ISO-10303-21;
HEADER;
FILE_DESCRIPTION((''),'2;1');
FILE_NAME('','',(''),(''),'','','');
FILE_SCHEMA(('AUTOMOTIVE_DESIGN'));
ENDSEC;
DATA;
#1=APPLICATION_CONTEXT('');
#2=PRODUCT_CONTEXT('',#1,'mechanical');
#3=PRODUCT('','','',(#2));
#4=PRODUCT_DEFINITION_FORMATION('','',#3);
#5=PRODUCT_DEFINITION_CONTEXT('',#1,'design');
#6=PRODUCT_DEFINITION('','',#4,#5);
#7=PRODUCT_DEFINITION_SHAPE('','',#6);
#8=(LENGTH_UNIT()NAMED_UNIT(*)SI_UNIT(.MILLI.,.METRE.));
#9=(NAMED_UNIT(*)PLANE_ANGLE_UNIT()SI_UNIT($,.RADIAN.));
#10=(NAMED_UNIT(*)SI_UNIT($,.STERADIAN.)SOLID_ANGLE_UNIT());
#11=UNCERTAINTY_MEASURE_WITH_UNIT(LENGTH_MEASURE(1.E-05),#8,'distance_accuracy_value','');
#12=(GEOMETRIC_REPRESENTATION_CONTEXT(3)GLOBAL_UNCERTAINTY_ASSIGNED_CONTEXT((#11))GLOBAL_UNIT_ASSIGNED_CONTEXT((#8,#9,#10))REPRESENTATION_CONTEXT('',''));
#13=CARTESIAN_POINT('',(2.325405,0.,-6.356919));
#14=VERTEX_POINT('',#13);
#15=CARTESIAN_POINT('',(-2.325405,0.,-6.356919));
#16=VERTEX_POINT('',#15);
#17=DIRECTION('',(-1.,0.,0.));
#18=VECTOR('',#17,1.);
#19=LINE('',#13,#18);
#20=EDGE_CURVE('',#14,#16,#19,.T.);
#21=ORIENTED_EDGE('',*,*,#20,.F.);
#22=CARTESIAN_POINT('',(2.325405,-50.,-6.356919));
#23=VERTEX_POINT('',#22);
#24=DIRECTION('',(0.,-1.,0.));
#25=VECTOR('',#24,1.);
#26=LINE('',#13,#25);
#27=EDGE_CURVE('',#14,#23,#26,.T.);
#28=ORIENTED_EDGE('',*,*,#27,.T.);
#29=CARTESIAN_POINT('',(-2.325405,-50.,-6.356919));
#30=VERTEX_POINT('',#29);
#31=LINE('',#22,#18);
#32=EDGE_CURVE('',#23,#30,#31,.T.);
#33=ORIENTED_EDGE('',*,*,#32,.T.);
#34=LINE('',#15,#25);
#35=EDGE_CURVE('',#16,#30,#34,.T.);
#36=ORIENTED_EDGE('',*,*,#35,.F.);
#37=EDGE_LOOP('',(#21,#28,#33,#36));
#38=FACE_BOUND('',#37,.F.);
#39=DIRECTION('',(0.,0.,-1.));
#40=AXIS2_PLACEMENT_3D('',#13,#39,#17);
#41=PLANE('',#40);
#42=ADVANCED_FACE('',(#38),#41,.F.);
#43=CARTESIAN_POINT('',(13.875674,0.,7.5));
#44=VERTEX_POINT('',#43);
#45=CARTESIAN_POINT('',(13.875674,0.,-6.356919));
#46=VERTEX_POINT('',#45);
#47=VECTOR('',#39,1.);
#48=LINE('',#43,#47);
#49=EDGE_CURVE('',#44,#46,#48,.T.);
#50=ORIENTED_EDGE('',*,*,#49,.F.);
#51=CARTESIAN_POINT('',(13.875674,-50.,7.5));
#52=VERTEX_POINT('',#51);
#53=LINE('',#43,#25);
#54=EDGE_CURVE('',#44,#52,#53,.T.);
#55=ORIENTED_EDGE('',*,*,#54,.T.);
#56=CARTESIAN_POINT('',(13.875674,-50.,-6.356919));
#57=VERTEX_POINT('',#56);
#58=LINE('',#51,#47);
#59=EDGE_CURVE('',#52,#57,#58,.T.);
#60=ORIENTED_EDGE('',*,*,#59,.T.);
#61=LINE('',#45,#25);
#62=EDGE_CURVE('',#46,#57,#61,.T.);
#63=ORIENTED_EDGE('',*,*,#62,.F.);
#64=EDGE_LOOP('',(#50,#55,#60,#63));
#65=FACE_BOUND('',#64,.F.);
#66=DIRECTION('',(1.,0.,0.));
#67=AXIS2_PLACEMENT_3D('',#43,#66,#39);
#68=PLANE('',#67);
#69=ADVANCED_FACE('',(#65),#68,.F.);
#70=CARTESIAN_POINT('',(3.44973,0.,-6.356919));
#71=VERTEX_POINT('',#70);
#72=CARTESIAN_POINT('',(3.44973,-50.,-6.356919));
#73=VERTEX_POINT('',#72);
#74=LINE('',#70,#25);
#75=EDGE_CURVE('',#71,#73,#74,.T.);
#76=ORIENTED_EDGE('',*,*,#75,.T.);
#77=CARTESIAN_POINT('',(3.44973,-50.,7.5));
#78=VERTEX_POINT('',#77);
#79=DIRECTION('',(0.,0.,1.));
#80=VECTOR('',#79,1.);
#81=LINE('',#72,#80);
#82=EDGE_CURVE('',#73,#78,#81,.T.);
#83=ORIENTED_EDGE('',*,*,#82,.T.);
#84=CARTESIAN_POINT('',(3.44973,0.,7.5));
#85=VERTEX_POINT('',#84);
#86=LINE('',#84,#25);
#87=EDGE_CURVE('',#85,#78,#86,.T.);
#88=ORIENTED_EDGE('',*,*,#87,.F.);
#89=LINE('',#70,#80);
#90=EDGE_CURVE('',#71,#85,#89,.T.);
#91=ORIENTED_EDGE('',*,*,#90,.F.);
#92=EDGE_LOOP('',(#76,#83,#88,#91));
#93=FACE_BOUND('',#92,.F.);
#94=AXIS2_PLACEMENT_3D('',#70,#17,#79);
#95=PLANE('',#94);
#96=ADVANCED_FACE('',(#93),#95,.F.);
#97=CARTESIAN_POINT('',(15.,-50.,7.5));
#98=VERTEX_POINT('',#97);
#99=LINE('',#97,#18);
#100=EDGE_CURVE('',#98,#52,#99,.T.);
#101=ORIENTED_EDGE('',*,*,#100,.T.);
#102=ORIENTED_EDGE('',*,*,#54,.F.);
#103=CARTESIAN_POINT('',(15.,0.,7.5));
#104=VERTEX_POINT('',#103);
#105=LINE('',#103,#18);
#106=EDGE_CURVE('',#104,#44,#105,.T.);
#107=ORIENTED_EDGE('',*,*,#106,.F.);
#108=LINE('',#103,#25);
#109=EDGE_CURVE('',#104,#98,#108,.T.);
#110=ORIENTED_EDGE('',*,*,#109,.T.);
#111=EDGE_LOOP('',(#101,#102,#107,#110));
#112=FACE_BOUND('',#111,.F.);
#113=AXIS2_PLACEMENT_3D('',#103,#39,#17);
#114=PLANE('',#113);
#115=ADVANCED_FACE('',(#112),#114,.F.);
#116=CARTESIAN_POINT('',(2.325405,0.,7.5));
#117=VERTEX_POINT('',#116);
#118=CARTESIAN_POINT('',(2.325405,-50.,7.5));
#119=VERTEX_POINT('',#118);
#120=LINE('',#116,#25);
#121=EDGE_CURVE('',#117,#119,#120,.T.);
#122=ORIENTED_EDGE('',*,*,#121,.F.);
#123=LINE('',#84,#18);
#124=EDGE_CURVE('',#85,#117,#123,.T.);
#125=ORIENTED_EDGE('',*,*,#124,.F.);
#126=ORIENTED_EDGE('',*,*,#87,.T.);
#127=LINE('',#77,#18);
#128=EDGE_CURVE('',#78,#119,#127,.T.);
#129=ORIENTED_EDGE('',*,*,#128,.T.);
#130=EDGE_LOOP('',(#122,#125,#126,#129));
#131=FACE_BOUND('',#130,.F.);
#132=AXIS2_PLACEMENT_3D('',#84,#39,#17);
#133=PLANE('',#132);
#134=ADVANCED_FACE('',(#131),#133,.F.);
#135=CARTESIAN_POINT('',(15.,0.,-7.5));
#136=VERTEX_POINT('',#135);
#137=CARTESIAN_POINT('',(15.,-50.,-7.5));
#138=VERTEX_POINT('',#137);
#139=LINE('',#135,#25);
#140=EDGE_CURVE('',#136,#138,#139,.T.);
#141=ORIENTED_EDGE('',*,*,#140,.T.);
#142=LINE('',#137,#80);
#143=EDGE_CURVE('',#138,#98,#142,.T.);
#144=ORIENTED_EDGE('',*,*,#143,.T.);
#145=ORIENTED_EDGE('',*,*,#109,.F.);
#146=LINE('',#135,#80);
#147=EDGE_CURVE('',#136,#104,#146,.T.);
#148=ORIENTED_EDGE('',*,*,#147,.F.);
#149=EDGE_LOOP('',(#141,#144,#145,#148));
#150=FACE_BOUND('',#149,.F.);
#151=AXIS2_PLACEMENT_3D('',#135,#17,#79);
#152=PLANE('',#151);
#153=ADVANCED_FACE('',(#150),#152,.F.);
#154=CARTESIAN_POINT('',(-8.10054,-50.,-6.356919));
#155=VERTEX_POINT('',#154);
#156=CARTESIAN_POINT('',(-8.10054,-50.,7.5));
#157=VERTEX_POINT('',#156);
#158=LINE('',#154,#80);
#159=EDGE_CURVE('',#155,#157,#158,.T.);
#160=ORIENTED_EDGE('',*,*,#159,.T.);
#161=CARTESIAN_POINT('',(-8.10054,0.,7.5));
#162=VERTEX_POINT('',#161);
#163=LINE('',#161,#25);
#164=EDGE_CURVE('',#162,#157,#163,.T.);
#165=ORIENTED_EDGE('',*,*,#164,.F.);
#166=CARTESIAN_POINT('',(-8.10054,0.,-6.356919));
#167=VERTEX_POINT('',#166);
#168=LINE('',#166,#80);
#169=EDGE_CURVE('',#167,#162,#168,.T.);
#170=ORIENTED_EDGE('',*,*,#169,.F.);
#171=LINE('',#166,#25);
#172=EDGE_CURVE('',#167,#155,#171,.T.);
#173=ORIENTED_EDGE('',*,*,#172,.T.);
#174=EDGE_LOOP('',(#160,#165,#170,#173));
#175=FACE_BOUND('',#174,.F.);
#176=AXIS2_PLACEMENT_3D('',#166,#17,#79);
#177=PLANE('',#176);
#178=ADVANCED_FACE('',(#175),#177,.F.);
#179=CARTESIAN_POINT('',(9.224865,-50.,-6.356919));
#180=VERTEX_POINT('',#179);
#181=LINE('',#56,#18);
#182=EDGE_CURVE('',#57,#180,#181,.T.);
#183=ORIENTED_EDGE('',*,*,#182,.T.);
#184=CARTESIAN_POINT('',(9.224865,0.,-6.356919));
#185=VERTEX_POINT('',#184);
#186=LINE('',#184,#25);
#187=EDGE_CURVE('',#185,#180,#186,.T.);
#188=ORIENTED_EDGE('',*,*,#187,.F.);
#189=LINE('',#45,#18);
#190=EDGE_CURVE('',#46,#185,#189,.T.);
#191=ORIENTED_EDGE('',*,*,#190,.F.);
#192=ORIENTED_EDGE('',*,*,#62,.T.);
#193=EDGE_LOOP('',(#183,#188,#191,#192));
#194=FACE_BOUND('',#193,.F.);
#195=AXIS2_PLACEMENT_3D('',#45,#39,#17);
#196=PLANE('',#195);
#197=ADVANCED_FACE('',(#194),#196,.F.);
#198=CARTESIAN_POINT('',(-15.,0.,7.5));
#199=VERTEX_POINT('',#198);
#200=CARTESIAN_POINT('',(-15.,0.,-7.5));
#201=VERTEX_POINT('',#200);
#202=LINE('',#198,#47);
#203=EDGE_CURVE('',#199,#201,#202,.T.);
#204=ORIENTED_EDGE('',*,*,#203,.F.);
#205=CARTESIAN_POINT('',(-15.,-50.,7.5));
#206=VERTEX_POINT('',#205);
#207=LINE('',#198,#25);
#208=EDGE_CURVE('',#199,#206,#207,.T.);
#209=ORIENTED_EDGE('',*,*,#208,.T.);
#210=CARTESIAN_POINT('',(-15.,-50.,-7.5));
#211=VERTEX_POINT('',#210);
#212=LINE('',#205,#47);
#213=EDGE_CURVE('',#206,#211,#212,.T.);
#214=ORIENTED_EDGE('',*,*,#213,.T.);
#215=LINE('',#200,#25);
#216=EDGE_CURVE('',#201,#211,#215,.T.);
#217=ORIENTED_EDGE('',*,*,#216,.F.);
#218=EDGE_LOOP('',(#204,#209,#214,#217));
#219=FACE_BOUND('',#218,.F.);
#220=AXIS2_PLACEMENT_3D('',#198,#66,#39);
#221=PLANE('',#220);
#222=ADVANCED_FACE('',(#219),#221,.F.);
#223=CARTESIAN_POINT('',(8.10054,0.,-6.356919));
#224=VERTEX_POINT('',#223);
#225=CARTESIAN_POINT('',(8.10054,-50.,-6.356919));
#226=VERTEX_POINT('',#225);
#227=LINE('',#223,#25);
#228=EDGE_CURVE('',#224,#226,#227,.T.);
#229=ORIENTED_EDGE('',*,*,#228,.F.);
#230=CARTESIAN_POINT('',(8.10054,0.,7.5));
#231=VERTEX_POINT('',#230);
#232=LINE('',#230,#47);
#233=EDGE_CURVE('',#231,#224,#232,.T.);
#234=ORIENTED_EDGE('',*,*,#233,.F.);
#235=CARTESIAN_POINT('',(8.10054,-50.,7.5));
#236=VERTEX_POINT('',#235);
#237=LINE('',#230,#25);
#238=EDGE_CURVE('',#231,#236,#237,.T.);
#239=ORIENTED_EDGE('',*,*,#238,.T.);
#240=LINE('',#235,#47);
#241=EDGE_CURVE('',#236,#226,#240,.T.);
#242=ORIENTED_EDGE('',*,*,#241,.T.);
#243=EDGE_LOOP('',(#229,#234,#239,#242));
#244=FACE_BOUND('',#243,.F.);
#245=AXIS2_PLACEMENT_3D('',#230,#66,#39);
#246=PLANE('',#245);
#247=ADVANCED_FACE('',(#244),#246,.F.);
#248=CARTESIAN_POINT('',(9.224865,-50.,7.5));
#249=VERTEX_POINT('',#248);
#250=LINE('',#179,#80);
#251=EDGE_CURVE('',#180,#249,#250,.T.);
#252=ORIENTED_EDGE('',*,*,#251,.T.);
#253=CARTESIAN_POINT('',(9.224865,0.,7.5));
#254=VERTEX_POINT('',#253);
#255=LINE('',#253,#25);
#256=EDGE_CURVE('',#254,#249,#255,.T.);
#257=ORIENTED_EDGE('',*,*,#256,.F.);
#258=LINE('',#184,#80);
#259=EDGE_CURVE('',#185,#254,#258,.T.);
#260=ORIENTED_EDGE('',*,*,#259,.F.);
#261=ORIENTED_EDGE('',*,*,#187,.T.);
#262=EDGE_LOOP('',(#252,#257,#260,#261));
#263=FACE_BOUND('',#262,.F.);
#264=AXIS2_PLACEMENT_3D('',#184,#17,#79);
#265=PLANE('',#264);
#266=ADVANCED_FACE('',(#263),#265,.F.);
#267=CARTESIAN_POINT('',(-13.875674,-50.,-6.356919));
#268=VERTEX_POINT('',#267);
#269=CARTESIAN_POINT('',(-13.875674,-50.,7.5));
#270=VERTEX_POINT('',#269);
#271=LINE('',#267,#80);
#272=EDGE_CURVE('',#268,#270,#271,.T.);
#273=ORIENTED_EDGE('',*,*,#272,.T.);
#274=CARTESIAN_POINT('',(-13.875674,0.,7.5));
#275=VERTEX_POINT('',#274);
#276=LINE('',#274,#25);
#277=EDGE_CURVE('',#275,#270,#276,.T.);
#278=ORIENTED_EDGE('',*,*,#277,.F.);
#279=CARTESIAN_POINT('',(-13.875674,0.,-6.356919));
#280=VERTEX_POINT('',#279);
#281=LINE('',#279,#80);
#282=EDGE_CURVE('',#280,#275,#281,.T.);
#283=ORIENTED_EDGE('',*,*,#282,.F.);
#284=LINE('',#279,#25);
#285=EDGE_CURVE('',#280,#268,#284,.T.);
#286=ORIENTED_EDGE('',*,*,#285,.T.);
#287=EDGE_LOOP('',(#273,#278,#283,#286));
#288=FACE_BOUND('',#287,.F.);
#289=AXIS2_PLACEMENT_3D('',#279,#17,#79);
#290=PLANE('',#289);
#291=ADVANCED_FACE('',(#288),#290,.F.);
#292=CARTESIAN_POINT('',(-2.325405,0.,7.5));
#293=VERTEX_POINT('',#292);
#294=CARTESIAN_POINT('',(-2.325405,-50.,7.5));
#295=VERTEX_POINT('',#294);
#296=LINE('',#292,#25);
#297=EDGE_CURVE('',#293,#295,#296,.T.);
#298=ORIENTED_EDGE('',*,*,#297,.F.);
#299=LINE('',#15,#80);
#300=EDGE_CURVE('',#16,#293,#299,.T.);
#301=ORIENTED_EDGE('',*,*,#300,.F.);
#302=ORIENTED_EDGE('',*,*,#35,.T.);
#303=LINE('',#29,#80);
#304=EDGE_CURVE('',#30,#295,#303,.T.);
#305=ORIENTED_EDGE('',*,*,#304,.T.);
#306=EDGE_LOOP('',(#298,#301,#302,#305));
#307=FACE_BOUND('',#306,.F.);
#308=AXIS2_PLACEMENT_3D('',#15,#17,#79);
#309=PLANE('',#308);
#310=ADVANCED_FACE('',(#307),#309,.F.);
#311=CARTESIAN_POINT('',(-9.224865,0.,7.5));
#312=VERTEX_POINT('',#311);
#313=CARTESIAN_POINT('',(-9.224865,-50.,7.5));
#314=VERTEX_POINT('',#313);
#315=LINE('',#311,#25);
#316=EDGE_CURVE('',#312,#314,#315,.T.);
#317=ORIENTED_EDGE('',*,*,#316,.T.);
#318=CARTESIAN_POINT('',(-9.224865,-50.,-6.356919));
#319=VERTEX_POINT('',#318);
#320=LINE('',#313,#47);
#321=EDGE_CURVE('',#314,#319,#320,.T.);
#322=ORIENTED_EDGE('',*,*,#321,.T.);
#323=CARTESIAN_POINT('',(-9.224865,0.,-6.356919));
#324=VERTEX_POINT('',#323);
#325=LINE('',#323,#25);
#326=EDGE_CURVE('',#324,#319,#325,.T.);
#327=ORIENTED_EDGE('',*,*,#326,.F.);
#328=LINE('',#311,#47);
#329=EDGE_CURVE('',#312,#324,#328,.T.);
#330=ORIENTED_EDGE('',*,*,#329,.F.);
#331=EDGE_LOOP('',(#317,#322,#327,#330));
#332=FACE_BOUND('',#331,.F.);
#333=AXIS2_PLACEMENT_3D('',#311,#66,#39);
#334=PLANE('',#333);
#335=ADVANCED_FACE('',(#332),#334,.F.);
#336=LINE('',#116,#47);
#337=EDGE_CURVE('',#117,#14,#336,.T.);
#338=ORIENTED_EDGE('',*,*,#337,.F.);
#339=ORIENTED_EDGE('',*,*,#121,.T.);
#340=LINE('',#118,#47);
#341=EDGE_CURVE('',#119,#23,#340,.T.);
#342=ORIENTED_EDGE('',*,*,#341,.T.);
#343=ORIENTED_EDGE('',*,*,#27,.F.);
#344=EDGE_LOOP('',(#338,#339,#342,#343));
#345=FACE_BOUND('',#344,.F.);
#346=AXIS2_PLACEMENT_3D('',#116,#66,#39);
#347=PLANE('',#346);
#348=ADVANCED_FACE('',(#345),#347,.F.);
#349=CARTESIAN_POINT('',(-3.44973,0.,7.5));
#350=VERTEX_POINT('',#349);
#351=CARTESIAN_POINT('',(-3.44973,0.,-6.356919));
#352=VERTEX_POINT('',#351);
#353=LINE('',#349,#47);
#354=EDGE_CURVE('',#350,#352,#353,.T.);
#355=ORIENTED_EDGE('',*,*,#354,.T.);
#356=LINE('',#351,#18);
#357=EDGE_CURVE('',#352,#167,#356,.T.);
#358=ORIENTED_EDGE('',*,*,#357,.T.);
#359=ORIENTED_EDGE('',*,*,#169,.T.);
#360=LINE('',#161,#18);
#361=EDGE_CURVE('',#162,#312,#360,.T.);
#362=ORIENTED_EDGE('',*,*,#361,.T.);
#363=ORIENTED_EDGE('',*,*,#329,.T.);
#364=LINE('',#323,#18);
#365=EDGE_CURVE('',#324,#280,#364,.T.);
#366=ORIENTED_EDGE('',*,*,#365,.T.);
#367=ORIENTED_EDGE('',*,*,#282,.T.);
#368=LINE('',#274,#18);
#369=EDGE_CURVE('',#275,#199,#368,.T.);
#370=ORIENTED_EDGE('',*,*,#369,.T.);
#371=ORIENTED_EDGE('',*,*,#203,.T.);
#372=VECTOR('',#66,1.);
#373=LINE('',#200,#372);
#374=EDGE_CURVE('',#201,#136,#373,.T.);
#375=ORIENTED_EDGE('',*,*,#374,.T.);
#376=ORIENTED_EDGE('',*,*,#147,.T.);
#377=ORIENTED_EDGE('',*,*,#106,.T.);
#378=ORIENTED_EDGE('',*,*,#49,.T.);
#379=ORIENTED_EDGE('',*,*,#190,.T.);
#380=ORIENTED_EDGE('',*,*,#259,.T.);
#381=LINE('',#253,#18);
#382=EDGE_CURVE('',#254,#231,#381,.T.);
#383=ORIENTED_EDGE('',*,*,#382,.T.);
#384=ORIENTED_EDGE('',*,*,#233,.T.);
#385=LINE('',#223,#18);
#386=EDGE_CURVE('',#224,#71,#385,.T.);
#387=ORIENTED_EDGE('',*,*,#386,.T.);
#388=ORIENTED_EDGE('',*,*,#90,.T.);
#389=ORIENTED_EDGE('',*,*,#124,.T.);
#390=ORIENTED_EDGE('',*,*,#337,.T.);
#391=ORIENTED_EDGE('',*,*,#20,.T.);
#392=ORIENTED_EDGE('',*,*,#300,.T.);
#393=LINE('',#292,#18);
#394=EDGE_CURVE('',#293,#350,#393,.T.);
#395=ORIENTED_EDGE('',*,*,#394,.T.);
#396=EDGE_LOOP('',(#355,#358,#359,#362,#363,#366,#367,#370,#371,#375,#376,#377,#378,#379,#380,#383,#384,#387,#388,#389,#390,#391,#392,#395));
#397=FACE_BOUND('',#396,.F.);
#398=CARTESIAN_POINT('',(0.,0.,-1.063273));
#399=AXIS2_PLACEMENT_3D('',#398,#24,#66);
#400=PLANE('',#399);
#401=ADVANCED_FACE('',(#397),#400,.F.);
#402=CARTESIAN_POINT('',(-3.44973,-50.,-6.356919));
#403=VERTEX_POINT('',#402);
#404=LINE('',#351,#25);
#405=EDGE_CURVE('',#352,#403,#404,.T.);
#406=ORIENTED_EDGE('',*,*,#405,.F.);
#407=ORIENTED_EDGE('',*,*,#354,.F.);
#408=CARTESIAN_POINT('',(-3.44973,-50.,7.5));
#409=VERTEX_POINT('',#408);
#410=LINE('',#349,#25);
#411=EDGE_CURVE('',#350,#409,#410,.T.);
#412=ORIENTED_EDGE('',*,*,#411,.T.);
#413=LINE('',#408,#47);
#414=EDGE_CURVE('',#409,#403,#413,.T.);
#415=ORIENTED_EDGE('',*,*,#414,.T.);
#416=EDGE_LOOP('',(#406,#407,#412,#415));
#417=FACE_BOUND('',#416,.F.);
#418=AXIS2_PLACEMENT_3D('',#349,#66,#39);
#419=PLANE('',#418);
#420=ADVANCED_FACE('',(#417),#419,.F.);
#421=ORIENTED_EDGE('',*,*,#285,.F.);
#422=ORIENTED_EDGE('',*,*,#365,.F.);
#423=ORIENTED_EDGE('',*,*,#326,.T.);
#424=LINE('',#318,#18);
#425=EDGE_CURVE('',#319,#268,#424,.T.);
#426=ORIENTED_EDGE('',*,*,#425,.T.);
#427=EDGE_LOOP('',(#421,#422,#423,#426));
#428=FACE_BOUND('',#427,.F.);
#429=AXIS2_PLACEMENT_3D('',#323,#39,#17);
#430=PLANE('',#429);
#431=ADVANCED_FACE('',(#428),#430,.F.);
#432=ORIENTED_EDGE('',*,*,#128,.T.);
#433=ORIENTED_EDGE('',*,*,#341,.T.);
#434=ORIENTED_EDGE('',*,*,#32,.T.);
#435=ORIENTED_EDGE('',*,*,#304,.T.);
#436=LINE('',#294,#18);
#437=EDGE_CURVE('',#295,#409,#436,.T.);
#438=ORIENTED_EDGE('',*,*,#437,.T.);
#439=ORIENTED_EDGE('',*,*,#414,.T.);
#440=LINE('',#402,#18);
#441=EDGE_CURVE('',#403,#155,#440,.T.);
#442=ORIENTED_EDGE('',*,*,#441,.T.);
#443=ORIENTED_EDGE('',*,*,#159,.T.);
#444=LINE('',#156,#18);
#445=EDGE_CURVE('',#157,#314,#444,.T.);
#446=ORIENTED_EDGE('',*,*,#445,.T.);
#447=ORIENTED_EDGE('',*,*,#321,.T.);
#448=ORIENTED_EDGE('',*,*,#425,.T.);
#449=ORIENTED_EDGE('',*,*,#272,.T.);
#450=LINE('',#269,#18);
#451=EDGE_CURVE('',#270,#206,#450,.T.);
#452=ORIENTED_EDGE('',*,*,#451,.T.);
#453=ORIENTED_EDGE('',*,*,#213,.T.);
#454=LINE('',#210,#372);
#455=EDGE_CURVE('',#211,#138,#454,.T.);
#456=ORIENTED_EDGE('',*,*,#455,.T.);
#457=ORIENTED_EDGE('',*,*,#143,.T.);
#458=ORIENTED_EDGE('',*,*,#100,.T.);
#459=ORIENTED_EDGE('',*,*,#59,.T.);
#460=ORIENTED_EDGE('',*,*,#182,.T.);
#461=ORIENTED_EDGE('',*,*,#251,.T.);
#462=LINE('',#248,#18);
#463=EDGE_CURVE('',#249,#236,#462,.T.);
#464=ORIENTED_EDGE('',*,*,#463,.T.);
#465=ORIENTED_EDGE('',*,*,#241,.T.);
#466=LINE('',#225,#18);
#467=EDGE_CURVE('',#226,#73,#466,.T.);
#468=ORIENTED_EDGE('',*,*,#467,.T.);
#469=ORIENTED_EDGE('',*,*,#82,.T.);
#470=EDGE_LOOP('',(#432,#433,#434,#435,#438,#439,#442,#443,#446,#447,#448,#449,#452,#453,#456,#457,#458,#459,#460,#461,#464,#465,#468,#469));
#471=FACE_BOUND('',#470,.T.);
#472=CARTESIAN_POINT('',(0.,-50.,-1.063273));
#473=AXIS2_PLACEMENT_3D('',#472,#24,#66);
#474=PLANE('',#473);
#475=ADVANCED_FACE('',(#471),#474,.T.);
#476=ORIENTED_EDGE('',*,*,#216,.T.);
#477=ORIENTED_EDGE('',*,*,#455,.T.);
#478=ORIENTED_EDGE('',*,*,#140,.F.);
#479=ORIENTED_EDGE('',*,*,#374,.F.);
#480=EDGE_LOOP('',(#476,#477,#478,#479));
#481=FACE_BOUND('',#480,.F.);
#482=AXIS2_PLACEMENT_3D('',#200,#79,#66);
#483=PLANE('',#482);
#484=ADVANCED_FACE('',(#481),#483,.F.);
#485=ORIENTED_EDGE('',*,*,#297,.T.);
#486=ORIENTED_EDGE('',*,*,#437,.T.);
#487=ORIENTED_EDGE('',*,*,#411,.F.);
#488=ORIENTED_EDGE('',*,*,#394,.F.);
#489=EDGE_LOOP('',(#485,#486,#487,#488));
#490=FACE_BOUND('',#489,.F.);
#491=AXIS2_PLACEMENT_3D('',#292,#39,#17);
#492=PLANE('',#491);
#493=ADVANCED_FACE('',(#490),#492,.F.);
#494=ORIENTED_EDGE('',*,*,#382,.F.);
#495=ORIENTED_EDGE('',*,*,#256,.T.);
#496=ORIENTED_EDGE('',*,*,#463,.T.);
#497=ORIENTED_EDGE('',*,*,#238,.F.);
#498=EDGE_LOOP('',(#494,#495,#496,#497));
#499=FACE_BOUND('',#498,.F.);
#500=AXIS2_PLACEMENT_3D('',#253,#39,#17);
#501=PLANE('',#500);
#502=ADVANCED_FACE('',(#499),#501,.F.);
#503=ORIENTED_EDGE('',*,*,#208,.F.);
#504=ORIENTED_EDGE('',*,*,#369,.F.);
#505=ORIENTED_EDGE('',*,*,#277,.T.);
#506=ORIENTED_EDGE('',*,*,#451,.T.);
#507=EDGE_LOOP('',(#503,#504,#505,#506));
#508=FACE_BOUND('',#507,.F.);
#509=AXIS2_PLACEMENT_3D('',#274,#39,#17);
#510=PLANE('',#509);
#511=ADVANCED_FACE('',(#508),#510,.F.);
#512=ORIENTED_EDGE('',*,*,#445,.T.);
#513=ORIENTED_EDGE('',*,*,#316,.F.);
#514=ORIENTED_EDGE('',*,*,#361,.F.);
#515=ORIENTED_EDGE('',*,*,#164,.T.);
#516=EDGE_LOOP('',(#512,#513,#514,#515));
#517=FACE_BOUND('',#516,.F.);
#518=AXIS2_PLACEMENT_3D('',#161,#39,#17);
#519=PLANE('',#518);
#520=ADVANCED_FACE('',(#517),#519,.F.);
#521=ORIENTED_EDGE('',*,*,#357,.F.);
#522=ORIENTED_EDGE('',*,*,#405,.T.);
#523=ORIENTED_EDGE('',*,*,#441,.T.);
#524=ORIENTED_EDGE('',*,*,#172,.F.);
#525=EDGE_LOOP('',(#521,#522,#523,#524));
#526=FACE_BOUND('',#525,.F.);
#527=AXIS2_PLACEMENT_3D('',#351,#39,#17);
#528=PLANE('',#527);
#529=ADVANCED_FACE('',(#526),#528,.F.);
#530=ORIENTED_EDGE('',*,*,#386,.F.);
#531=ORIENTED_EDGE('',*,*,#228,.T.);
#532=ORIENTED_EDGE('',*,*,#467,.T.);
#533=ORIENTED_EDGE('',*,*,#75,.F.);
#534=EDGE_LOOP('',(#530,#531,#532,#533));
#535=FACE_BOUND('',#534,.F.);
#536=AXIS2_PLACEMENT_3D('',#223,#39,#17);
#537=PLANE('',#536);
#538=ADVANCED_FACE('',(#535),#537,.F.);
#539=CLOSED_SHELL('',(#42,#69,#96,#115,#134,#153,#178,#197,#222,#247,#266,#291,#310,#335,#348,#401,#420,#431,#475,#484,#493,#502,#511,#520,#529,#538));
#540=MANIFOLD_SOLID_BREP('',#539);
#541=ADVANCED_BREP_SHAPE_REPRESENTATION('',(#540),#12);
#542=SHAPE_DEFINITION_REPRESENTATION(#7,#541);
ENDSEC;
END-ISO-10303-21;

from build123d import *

# Parameters (mm, degrees)
F1_DEPTH = 50


with BuildPart() as f1:
    # F0 (on Front) → F1 (new body)
    with BuildSketch(Plane.XZ):
        Polygon((-15, -7.5), (15, -7.5), (15, 7.5), (13.875674, 7.5), (13.875674, -6.356919), (9.224865, -6.356919), (9.224865, 7.5), (8.10054, 7.5), (8.10054, -6.356919), (3.44973, -6.356919), (3.44973, 7.5), (2.325405, 7.5), (2.325405, -6.356919), (-2.325405, -6.356919), (-2.325405, 7.5), (-3.44973, 7.5), (-3.44973, -6.356919), (-8.10054, -6.356919), (-8.10054, 7.5), (-9.224865, 7.5), (-9.224865, -6.356919), (-13.875674, -6.356919), (-13.875674, 7.5), (-15, 7.5), align=None)
    extrude(amount=F1_DEPTH)


solid = f1.part
